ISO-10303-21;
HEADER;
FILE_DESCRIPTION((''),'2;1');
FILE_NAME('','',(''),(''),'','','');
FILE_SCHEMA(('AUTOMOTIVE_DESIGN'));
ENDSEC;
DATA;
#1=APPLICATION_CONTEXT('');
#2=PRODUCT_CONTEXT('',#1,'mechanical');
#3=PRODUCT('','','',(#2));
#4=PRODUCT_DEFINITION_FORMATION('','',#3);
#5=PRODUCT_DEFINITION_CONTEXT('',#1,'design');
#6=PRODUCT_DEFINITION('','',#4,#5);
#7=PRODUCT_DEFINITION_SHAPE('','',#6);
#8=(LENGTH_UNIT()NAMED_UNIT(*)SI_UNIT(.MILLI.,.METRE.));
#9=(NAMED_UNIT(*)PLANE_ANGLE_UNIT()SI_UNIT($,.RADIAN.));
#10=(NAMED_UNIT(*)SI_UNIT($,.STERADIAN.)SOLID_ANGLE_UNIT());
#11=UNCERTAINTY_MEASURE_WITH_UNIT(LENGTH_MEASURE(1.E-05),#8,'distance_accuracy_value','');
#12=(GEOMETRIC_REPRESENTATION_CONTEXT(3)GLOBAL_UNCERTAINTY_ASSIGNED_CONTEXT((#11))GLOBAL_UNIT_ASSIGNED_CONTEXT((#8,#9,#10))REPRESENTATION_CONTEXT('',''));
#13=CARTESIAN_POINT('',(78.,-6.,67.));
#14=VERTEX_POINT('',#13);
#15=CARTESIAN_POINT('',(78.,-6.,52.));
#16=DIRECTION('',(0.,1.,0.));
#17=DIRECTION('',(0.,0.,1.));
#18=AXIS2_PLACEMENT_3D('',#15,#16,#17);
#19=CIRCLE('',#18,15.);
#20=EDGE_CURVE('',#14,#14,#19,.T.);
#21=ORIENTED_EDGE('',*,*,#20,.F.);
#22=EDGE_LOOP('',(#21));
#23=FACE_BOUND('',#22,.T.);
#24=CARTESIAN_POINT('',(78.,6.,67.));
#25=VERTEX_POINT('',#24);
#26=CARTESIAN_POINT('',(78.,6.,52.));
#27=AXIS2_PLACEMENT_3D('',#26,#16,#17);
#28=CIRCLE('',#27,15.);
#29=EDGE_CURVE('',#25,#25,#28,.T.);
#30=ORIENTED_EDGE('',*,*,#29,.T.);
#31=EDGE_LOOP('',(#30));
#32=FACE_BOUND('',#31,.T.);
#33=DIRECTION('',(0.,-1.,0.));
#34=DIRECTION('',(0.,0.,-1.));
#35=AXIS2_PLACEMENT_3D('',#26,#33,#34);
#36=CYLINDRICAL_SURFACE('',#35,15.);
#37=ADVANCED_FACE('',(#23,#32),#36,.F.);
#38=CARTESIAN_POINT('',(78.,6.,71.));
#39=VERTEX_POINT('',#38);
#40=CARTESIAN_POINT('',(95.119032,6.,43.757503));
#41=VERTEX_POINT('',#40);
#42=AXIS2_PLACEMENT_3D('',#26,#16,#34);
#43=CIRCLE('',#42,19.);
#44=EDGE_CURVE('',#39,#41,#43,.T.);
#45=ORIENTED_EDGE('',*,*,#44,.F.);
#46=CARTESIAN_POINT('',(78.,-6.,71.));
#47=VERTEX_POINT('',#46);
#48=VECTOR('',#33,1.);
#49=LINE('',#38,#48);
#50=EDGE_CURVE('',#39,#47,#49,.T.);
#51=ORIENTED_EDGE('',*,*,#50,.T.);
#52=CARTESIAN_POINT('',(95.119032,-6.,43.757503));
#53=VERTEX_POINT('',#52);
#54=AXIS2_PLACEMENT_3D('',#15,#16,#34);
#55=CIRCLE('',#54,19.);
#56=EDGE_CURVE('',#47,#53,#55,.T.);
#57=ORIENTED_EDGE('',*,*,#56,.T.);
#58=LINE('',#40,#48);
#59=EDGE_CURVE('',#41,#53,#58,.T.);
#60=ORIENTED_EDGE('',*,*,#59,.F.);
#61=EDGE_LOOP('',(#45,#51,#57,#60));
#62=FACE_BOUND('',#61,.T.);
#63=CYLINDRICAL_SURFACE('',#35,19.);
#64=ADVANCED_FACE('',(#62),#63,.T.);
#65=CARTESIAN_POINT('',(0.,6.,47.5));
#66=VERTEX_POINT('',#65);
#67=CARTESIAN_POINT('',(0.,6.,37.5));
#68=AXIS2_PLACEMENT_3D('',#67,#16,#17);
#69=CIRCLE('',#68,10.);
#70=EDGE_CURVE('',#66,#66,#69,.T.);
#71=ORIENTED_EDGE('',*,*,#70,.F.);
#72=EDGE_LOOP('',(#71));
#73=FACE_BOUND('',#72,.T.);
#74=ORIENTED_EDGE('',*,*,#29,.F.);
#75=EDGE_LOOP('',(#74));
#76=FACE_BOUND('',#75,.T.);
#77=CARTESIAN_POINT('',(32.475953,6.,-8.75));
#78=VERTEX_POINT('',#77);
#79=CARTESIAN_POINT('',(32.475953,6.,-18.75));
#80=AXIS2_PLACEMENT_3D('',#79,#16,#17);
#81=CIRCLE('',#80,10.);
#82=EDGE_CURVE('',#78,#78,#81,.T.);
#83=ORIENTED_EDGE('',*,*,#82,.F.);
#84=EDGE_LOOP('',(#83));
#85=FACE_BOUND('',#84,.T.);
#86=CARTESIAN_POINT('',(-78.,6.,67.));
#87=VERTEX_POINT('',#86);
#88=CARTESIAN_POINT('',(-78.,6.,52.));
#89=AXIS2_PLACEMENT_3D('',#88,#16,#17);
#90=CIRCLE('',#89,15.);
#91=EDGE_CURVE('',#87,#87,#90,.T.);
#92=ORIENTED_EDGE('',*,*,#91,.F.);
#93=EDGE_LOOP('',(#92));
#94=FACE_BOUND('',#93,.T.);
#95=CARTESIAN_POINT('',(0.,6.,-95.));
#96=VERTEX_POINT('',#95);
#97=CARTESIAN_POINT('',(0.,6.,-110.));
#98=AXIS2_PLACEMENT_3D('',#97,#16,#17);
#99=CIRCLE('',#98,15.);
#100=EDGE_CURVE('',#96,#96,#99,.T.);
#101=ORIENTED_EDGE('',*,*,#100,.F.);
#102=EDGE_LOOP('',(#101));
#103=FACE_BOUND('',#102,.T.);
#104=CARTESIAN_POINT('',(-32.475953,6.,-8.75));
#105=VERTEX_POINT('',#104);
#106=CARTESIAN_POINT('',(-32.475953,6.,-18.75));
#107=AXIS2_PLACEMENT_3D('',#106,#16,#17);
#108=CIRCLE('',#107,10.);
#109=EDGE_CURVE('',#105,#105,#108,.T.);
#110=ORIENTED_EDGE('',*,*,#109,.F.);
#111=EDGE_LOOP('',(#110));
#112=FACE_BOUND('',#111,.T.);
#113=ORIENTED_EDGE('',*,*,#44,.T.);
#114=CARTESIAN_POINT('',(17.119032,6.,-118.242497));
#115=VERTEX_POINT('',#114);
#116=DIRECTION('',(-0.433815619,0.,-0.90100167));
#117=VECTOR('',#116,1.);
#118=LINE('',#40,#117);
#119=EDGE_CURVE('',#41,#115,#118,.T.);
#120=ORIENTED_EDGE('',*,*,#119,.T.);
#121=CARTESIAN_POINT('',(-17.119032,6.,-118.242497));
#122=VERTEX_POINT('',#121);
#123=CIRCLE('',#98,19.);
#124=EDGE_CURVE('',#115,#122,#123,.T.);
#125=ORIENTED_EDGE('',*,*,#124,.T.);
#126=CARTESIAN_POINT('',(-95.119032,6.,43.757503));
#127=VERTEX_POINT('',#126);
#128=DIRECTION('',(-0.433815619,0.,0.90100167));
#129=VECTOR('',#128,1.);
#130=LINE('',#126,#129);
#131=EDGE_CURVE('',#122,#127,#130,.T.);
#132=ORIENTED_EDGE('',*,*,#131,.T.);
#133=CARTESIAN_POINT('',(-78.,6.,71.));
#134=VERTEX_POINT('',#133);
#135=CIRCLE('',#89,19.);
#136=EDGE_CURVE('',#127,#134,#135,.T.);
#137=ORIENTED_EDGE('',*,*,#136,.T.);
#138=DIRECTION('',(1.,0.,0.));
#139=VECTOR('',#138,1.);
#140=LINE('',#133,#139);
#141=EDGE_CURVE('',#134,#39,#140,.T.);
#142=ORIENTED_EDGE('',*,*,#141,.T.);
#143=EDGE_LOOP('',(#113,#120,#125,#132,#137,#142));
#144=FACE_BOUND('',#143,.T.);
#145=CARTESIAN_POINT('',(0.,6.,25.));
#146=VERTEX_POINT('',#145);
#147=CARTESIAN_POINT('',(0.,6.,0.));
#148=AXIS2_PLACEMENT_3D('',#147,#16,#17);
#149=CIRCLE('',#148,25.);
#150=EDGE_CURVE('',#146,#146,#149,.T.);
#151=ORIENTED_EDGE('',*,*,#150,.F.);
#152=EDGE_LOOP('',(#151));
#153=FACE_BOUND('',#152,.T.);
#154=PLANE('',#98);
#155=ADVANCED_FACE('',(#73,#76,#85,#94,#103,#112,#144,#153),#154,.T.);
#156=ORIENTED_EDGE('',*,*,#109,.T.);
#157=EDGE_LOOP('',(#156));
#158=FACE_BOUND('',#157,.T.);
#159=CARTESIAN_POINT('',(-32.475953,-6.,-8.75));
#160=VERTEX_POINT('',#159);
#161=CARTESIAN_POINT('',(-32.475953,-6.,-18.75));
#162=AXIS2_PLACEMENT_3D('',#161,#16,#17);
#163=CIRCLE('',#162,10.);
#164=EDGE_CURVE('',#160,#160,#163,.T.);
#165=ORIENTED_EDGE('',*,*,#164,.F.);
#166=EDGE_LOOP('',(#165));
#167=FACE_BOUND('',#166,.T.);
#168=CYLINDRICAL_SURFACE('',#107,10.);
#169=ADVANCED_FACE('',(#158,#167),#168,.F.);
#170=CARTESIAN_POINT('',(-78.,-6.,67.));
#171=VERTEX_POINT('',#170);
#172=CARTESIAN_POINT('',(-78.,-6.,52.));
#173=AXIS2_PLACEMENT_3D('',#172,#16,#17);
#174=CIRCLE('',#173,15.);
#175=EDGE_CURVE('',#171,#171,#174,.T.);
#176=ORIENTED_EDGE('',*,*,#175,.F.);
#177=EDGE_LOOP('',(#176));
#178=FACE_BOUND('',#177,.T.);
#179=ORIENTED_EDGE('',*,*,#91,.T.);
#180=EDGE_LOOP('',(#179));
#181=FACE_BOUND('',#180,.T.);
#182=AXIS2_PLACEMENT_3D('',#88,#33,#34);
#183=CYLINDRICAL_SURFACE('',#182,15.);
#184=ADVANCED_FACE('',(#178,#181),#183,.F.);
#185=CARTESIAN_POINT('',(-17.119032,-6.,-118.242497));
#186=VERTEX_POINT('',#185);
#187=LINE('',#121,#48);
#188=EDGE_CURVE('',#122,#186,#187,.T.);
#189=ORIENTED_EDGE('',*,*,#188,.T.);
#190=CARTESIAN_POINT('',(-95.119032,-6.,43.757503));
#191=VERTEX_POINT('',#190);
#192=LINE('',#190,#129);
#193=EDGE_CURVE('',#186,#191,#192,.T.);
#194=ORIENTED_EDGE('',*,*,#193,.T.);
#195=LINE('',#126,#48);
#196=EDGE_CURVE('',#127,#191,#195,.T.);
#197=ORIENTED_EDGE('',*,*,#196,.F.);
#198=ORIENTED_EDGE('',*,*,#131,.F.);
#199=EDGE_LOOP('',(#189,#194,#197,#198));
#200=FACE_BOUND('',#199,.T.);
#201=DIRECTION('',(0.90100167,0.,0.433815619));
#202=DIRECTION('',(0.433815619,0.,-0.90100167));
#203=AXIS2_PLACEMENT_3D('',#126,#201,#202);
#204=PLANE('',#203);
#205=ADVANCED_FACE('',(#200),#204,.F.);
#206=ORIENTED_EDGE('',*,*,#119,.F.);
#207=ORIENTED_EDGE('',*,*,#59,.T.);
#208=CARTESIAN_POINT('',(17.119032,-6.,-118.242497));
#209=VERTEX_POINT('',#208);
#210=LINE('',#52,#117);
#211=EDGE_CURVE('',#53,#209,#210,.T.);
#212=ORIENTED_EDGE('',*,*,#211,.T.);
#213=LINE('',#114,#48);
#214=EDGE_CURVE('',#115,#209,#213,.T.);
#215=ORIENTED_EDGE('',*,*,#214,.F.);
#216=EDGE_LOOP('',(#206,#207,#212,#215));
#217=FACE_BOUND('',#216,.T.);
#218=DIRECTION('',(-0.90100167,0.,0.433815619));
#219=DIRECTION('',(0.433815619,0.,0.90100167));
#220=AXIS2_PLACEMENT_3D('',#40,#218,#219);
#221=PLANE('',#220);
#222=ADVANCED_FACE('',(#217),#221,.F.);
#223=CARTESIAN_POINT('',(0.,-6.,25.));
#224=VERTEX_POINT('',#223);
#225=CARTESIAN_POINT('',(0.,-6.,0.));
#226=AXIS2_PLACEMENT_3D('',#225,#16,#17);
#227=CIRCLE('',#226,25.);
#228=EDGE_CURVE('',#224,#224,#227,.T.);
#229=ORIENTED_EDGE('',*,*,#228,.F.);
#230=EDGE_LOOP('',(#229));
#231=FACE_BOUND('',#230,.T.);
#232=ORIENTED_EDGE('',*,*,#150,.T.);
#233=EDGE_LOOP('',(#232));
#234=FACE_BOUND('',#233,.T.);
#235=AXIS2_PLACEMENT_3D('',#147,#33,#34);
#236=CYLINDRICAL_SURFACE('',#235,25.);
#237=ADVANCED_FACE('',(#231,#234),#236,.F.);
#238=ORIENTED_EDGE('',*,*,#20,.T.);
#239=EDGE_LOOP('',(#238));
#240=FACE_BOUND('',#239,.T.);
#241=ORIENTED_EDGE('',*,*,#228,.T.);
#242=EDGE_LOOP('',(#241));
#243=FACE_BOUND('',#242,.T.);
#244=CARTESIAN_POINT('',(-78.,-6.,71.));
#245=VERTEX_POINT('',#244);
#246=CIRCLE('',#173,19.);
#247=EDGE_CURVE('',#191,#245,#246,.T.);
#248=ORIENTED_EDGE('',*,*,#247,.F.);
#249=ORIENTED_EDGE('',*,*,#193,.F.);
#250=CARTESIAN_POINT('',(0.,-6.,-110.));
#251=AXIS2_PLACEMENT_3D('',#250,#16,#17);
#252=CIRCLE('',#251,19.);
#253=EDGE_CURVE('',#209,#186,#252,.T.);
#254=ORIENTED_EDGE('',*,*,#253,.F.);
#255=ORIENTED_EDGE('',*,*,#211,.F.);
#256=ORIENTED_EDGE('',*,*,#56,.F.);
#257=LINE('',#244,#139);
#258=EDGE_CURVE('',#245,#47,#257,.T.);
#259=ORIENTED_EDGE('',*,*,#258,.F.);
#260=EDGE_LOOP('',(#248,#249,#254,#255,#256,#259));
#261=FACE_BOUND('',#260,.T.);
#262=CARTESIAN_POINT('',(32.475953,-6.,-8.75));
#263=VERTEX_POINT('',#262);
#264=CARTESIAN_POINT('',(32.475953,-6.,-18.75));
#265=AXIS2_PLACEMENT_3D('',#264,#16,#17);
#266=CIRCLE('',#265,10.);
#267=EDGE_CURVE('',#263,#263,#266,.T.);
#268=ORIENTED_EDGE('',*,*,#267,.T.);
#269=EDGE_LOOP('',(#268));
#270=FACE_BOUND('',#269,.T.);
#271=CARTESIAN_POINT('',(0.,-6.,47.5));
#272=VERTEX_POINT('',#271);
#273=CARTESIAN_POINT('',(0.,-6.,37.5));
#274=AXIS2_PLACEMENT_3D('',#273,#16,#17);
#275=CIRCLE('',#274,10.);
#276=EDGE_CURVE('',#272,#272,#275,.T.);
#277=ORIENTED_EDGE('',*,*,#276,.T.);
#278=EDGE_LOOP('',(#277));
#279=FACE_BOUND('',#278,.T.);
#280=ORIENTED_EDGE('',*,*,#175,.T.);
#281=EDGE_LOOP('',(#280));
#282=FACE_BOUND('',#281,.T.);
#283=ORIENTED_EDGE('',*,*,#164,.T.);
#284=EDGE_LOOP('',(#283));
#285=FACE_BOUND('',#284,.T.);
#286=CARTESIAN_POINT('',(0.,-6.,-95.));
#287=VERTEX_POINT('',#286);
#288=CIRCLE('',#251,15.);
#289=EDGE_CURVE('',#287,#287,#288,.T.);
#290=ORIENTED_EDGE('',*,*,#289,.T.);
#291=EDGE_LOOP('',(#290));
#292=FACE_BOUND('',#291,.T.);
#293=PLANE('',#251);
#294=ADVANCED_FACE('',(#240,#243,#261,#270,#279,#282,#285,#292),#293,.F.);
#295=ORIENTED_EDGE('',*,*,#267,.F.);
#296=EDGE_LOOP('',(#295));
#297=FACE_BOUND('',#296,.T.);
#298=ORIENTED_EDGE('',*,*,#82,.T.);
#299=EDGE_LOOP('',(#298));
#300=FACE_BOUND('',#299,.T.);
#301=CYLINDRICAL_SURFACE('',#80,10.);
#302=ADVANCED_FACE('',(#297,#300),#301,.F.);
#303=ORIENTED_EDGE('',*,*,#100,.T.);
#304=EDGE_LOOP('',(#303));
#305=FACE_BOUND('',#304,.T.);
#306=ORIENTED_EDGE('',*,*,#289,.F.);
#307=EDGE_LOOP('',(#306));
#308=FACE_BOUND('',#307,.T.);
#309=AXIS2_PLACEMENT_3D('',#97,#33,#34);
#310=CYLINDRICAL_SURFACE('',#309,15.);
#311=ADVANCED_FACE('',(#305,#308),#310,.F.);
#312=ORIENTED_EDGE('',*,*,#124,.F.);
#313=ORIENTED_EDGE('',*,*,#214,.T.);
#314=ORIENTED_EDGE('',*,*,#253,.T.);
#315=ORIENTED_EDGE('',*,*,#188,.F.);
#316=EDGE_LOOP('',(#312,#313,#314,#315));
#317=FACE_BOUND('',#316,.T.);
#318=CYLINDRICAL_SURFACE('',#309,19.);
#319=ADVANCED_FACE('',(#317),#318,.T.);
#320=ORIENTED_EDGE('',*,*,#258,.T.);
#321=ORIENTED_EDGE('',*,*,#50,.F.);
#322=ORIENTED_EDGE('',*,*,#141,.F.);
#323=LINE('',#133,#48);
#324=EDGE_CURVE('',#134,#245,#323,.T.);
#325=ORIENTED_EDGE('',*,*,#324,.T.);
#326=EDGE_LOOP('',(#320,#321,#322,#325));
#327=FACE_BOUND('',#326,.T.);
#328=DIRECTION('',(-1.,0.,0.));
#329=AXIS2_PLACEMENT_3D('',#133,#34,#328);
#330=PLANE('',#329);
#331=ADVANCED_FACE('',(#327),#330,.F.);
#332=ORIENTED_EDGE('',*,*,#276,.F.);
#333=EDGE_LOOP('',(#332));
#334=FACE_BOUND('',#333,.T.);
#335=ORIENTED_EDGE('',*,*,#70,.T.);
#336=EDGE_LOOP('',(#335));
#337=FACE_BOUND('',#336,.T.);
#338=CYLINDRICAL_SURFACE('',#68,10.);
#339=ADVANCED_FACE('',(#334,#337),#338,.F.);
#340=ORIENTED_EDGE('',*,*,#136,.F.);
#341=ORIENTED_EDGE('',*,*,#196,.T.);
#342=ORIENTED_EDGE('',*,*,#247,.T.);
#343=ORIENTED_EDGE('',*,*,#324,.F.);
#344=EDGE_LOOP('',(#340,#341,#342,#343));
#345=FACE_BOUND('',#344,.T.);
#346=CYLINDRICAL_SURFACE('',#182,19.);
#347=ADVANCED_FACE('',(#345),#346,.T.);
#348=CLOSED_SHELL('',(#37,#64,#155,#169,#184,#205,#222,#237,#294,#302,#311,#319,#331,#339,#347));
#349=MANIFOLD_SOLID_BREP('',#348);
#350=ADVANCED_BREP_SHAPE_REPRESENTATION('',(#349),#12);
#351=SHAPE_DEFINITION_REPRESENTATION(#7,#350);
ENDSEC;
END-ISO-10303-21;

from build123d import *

# Parameters (mm, degrees)
SKETCH1_R           = 15
SKETCH1_R_2         = 25
BOSS_EXTRUDE1_DEPTH = 6
HOLE1_D             = 20
CIRPATTERN1_COUNT   = 3


with BuildPart() as part:
    # Sketch1 → Boss-Extrude1 (new, symmetric)
    with BuildSketch(Plane(origin=(0, 0, 0), x_dir=(1, 0, 0), z_dir=(0, 1, 0))):
        with BuildLine():
            Line((-95.119031725, -43.757503243), (-17.119031725, 118.242496757))
            ThreePointArc((-17.119031725, 118.242496757), (0, 129), (17.119031725, 118.242496757))
            Line((17.119031725, 118.242496757), (95.119031725, -43.757503243))
            ThreePointArc((95.119031725, -43.757503243), (94.087377636, -62.109217616), (78, -71))
            Line((78, -71), (-78, -71))
            ThreePointArc((-78, -71), (-94.087377636, -62.109217616), (-95.119031725, -43.757503243))
        make_face()
        with Locations(Location((0, 110, 0), (0, 0, 270))):
            Circle(SKETCH1_R, mode=Mode.SUBTRACT)
        with Locations(Location((-78, -52, 0), (0, 0, 270))):
            Circle(SKETCH1_R, mode=Mode.SUBTRACT)
        with Locations(Location((78, -52, 0), (0, 0, 270))):
            Circle(SKETCH1_R, mode=Mode.SUBTRACT)
        with Locations(Location((0, 0, 0), (0, 0, 270))):
            Circle(SKETCH1_R_2, mode=Mode.SUBTRACT)
    extrude(amount=BOSS_EXTRUDE1_DEPTH, both=True)

    # Hole1 (through all)
    with Locations(Plane(origin=(0, 6, 0), x_dir=(1, 0, 0), z_dir=(0, 1, 0))):
        with Locations((0, -37.5)):
            hole1 = Hole(HOLE1_D / 2)

    # CirPattern1: Hole1 ×3 about axis
    cirpattern1_axis = Axis((0, 0, 0), (0, 1, 0))
    for i in range(1, CIRPATTERN1_COUNT):
        add(hole1.rotate(cirpattern1_axis, i * 360 / CIRPATTERN1_COUNT), mode=Mode.SUBTRACT)


solid = part.part
